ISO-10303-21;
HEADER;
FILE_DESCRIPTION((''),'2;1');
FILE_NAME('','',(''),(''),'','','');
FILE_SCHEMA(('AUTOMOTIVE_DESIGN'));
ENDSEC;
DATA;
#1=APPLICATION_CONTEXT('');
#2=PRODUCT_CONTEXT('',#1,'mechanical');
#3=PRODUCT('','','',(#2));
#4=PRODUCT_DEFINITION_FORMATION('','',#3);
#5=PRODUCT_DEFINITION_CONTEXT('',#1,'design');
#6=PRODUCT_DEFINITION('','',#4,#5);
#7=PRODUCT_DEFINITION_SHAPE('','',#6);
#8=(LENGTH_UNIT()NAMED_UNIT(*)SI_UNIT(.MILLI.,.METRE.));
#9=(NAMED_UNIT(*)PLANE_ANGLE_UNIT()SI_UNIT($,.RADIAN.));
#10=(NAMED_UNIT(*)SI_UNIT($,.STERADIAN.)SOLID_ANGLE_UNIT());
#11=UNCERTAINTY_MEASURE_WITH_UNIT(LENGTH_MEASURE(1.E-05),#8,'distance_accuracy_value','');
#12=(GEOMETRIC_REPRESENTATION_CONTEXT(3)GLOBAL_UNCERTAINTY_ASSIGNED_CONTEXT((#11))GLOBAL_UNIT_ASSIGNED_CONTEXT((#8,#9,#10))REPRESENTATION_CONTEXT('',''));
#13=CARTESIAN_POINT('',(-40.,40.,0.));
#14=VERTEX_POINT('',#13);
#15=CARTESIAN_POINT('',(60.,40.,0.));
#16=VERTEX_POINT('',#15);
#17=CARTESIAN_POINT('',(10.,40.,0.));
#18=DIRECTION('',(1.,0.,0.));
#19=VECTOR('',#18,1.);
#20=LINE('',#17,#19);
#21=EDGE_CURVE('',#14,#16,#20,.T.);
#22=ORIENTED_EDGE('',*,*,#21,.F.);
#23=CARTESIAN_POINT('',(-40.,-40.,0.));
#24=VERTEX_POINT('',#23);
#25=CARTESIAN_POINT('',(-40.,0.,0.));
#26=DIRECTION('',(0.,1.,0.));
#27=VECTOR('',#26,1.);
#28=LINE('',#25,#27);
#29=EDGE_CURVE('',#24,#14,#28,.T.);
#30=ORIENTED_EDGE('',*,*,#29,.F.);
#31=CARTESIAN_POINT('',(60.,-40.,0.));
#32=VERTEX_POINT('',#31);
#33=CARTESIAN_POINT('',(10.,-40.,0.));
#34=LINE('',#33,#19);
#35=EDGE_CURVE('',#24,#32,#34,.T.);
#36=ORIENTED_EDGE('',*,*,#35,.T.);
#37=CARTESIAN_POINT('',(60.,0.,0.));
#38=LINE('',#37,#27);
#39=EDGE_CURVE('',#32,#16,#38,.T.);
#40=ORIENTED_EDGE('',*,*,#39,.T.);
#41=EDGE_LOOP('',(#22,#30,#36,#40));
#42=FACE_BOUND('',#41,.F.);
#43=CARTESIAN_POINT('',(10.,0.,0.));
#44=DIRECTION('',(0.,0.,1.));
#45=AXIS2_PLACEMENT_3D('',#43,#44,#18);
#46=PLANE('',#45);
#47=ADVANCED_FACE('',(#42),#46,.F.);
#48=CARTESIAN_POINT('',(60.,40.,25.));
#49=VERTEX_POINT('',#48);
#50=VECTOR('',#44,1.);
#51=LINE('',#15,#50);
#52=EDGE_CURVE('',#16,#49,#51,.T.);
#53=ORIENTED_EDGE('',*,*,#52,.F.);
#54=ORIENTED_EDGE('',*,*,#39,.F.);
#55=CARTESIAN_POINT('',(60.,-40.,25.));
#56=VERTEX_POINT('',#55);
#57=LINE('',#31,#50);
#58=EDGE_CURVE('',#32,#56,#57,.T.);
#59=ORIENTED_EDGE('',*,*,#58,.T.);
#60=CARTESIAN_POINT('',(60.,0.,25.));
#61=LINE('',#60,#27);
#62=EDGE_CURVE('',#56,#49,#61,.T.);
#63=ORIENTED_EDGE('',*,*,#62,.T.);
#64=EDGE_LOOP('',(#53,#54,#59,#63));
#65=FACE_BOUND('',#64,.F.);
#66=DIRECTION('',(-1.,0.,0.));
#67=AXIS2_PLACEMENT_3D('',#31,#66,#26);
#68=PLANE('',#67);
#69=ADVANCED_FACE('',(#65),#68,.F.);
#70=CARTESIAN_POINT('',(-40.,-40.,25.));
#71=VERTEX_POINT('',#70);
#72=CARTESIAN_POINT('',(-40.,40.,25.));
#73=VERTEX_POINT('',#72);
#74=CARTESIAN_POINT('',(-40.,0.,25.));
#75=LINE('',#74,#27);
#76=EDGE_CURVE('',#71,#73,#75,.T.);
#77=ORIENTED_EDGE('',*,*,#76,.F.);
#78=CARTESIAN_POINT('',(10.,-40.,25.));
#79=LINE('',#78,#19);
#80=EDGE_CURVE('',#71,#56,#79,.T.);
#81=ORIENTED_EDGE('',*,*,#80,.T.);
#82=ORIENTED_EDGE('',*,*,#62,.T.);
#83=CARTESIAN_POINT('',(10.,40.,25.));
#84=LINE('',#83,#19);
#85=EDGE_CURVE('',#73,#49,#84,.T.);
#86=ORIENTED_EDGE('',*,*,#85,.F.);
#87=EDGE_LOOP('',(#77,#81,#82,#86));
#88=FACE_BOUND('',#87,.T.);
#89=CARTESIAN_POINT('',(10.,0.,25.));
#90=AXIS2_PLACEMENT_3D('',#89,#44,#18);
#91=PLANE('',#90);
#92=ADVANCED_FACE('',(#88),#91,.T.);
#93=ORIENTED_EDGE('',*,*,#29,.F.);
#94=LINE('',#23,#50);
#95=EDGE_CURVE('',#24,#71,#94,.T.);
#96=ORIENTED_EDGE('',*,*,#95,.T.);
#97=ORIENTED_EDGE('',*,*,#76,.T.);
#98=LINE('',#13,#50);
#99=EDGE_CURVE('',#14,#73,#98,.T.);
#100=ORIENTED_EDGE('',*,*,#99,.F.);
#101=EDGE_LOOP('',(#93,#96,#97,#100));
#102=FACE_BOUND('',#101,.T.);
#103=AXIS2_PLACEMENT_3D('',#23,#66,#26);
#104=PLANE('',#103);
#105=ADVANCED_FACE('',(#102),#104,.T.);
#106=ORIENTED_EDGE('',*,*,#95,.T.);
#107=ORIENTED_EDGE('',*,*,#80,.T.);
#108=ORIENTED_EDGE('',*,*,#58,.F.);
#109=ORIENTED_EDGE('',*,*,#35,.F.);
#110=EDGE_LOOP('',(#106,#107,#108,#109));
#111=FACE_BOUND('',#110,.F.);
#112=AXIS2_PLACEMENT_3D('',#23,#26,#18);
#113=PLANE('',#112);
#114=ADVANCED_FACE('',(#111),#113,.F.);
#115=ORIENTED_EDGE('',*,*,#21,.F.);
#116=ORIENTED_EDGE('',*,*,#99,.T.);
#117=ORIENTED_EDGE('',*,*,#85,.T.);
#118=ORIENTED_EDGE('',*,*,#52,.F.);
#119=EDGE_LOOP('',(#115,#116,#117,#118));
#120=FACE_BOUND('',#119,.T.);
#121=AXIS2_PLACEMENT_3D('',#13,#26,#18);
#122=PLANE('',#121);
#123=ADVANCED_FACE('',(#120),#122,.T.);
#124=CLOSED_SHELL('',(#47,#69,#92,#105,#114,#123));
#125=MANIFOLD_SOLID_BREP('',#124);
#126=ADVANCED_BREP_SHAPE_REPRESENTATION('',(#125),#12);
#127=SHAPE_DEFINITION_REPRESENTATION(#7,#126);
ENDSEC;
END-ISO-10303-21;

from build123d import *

# Parameters (mm, degrees)
SKETCH_W  = 100
SKETCH_H  = 80
PAD_DEPTH = 25


with BuildPart() as part:
    # Sketch → Pad (new body)
    with BuildSketch(Plane.XY):
        with Locations((10, 0)):
            Rectangle(SKETCH_W, SKETCH_H)
    extrude(amount=PAD_DEPTH)


solid = part.part
